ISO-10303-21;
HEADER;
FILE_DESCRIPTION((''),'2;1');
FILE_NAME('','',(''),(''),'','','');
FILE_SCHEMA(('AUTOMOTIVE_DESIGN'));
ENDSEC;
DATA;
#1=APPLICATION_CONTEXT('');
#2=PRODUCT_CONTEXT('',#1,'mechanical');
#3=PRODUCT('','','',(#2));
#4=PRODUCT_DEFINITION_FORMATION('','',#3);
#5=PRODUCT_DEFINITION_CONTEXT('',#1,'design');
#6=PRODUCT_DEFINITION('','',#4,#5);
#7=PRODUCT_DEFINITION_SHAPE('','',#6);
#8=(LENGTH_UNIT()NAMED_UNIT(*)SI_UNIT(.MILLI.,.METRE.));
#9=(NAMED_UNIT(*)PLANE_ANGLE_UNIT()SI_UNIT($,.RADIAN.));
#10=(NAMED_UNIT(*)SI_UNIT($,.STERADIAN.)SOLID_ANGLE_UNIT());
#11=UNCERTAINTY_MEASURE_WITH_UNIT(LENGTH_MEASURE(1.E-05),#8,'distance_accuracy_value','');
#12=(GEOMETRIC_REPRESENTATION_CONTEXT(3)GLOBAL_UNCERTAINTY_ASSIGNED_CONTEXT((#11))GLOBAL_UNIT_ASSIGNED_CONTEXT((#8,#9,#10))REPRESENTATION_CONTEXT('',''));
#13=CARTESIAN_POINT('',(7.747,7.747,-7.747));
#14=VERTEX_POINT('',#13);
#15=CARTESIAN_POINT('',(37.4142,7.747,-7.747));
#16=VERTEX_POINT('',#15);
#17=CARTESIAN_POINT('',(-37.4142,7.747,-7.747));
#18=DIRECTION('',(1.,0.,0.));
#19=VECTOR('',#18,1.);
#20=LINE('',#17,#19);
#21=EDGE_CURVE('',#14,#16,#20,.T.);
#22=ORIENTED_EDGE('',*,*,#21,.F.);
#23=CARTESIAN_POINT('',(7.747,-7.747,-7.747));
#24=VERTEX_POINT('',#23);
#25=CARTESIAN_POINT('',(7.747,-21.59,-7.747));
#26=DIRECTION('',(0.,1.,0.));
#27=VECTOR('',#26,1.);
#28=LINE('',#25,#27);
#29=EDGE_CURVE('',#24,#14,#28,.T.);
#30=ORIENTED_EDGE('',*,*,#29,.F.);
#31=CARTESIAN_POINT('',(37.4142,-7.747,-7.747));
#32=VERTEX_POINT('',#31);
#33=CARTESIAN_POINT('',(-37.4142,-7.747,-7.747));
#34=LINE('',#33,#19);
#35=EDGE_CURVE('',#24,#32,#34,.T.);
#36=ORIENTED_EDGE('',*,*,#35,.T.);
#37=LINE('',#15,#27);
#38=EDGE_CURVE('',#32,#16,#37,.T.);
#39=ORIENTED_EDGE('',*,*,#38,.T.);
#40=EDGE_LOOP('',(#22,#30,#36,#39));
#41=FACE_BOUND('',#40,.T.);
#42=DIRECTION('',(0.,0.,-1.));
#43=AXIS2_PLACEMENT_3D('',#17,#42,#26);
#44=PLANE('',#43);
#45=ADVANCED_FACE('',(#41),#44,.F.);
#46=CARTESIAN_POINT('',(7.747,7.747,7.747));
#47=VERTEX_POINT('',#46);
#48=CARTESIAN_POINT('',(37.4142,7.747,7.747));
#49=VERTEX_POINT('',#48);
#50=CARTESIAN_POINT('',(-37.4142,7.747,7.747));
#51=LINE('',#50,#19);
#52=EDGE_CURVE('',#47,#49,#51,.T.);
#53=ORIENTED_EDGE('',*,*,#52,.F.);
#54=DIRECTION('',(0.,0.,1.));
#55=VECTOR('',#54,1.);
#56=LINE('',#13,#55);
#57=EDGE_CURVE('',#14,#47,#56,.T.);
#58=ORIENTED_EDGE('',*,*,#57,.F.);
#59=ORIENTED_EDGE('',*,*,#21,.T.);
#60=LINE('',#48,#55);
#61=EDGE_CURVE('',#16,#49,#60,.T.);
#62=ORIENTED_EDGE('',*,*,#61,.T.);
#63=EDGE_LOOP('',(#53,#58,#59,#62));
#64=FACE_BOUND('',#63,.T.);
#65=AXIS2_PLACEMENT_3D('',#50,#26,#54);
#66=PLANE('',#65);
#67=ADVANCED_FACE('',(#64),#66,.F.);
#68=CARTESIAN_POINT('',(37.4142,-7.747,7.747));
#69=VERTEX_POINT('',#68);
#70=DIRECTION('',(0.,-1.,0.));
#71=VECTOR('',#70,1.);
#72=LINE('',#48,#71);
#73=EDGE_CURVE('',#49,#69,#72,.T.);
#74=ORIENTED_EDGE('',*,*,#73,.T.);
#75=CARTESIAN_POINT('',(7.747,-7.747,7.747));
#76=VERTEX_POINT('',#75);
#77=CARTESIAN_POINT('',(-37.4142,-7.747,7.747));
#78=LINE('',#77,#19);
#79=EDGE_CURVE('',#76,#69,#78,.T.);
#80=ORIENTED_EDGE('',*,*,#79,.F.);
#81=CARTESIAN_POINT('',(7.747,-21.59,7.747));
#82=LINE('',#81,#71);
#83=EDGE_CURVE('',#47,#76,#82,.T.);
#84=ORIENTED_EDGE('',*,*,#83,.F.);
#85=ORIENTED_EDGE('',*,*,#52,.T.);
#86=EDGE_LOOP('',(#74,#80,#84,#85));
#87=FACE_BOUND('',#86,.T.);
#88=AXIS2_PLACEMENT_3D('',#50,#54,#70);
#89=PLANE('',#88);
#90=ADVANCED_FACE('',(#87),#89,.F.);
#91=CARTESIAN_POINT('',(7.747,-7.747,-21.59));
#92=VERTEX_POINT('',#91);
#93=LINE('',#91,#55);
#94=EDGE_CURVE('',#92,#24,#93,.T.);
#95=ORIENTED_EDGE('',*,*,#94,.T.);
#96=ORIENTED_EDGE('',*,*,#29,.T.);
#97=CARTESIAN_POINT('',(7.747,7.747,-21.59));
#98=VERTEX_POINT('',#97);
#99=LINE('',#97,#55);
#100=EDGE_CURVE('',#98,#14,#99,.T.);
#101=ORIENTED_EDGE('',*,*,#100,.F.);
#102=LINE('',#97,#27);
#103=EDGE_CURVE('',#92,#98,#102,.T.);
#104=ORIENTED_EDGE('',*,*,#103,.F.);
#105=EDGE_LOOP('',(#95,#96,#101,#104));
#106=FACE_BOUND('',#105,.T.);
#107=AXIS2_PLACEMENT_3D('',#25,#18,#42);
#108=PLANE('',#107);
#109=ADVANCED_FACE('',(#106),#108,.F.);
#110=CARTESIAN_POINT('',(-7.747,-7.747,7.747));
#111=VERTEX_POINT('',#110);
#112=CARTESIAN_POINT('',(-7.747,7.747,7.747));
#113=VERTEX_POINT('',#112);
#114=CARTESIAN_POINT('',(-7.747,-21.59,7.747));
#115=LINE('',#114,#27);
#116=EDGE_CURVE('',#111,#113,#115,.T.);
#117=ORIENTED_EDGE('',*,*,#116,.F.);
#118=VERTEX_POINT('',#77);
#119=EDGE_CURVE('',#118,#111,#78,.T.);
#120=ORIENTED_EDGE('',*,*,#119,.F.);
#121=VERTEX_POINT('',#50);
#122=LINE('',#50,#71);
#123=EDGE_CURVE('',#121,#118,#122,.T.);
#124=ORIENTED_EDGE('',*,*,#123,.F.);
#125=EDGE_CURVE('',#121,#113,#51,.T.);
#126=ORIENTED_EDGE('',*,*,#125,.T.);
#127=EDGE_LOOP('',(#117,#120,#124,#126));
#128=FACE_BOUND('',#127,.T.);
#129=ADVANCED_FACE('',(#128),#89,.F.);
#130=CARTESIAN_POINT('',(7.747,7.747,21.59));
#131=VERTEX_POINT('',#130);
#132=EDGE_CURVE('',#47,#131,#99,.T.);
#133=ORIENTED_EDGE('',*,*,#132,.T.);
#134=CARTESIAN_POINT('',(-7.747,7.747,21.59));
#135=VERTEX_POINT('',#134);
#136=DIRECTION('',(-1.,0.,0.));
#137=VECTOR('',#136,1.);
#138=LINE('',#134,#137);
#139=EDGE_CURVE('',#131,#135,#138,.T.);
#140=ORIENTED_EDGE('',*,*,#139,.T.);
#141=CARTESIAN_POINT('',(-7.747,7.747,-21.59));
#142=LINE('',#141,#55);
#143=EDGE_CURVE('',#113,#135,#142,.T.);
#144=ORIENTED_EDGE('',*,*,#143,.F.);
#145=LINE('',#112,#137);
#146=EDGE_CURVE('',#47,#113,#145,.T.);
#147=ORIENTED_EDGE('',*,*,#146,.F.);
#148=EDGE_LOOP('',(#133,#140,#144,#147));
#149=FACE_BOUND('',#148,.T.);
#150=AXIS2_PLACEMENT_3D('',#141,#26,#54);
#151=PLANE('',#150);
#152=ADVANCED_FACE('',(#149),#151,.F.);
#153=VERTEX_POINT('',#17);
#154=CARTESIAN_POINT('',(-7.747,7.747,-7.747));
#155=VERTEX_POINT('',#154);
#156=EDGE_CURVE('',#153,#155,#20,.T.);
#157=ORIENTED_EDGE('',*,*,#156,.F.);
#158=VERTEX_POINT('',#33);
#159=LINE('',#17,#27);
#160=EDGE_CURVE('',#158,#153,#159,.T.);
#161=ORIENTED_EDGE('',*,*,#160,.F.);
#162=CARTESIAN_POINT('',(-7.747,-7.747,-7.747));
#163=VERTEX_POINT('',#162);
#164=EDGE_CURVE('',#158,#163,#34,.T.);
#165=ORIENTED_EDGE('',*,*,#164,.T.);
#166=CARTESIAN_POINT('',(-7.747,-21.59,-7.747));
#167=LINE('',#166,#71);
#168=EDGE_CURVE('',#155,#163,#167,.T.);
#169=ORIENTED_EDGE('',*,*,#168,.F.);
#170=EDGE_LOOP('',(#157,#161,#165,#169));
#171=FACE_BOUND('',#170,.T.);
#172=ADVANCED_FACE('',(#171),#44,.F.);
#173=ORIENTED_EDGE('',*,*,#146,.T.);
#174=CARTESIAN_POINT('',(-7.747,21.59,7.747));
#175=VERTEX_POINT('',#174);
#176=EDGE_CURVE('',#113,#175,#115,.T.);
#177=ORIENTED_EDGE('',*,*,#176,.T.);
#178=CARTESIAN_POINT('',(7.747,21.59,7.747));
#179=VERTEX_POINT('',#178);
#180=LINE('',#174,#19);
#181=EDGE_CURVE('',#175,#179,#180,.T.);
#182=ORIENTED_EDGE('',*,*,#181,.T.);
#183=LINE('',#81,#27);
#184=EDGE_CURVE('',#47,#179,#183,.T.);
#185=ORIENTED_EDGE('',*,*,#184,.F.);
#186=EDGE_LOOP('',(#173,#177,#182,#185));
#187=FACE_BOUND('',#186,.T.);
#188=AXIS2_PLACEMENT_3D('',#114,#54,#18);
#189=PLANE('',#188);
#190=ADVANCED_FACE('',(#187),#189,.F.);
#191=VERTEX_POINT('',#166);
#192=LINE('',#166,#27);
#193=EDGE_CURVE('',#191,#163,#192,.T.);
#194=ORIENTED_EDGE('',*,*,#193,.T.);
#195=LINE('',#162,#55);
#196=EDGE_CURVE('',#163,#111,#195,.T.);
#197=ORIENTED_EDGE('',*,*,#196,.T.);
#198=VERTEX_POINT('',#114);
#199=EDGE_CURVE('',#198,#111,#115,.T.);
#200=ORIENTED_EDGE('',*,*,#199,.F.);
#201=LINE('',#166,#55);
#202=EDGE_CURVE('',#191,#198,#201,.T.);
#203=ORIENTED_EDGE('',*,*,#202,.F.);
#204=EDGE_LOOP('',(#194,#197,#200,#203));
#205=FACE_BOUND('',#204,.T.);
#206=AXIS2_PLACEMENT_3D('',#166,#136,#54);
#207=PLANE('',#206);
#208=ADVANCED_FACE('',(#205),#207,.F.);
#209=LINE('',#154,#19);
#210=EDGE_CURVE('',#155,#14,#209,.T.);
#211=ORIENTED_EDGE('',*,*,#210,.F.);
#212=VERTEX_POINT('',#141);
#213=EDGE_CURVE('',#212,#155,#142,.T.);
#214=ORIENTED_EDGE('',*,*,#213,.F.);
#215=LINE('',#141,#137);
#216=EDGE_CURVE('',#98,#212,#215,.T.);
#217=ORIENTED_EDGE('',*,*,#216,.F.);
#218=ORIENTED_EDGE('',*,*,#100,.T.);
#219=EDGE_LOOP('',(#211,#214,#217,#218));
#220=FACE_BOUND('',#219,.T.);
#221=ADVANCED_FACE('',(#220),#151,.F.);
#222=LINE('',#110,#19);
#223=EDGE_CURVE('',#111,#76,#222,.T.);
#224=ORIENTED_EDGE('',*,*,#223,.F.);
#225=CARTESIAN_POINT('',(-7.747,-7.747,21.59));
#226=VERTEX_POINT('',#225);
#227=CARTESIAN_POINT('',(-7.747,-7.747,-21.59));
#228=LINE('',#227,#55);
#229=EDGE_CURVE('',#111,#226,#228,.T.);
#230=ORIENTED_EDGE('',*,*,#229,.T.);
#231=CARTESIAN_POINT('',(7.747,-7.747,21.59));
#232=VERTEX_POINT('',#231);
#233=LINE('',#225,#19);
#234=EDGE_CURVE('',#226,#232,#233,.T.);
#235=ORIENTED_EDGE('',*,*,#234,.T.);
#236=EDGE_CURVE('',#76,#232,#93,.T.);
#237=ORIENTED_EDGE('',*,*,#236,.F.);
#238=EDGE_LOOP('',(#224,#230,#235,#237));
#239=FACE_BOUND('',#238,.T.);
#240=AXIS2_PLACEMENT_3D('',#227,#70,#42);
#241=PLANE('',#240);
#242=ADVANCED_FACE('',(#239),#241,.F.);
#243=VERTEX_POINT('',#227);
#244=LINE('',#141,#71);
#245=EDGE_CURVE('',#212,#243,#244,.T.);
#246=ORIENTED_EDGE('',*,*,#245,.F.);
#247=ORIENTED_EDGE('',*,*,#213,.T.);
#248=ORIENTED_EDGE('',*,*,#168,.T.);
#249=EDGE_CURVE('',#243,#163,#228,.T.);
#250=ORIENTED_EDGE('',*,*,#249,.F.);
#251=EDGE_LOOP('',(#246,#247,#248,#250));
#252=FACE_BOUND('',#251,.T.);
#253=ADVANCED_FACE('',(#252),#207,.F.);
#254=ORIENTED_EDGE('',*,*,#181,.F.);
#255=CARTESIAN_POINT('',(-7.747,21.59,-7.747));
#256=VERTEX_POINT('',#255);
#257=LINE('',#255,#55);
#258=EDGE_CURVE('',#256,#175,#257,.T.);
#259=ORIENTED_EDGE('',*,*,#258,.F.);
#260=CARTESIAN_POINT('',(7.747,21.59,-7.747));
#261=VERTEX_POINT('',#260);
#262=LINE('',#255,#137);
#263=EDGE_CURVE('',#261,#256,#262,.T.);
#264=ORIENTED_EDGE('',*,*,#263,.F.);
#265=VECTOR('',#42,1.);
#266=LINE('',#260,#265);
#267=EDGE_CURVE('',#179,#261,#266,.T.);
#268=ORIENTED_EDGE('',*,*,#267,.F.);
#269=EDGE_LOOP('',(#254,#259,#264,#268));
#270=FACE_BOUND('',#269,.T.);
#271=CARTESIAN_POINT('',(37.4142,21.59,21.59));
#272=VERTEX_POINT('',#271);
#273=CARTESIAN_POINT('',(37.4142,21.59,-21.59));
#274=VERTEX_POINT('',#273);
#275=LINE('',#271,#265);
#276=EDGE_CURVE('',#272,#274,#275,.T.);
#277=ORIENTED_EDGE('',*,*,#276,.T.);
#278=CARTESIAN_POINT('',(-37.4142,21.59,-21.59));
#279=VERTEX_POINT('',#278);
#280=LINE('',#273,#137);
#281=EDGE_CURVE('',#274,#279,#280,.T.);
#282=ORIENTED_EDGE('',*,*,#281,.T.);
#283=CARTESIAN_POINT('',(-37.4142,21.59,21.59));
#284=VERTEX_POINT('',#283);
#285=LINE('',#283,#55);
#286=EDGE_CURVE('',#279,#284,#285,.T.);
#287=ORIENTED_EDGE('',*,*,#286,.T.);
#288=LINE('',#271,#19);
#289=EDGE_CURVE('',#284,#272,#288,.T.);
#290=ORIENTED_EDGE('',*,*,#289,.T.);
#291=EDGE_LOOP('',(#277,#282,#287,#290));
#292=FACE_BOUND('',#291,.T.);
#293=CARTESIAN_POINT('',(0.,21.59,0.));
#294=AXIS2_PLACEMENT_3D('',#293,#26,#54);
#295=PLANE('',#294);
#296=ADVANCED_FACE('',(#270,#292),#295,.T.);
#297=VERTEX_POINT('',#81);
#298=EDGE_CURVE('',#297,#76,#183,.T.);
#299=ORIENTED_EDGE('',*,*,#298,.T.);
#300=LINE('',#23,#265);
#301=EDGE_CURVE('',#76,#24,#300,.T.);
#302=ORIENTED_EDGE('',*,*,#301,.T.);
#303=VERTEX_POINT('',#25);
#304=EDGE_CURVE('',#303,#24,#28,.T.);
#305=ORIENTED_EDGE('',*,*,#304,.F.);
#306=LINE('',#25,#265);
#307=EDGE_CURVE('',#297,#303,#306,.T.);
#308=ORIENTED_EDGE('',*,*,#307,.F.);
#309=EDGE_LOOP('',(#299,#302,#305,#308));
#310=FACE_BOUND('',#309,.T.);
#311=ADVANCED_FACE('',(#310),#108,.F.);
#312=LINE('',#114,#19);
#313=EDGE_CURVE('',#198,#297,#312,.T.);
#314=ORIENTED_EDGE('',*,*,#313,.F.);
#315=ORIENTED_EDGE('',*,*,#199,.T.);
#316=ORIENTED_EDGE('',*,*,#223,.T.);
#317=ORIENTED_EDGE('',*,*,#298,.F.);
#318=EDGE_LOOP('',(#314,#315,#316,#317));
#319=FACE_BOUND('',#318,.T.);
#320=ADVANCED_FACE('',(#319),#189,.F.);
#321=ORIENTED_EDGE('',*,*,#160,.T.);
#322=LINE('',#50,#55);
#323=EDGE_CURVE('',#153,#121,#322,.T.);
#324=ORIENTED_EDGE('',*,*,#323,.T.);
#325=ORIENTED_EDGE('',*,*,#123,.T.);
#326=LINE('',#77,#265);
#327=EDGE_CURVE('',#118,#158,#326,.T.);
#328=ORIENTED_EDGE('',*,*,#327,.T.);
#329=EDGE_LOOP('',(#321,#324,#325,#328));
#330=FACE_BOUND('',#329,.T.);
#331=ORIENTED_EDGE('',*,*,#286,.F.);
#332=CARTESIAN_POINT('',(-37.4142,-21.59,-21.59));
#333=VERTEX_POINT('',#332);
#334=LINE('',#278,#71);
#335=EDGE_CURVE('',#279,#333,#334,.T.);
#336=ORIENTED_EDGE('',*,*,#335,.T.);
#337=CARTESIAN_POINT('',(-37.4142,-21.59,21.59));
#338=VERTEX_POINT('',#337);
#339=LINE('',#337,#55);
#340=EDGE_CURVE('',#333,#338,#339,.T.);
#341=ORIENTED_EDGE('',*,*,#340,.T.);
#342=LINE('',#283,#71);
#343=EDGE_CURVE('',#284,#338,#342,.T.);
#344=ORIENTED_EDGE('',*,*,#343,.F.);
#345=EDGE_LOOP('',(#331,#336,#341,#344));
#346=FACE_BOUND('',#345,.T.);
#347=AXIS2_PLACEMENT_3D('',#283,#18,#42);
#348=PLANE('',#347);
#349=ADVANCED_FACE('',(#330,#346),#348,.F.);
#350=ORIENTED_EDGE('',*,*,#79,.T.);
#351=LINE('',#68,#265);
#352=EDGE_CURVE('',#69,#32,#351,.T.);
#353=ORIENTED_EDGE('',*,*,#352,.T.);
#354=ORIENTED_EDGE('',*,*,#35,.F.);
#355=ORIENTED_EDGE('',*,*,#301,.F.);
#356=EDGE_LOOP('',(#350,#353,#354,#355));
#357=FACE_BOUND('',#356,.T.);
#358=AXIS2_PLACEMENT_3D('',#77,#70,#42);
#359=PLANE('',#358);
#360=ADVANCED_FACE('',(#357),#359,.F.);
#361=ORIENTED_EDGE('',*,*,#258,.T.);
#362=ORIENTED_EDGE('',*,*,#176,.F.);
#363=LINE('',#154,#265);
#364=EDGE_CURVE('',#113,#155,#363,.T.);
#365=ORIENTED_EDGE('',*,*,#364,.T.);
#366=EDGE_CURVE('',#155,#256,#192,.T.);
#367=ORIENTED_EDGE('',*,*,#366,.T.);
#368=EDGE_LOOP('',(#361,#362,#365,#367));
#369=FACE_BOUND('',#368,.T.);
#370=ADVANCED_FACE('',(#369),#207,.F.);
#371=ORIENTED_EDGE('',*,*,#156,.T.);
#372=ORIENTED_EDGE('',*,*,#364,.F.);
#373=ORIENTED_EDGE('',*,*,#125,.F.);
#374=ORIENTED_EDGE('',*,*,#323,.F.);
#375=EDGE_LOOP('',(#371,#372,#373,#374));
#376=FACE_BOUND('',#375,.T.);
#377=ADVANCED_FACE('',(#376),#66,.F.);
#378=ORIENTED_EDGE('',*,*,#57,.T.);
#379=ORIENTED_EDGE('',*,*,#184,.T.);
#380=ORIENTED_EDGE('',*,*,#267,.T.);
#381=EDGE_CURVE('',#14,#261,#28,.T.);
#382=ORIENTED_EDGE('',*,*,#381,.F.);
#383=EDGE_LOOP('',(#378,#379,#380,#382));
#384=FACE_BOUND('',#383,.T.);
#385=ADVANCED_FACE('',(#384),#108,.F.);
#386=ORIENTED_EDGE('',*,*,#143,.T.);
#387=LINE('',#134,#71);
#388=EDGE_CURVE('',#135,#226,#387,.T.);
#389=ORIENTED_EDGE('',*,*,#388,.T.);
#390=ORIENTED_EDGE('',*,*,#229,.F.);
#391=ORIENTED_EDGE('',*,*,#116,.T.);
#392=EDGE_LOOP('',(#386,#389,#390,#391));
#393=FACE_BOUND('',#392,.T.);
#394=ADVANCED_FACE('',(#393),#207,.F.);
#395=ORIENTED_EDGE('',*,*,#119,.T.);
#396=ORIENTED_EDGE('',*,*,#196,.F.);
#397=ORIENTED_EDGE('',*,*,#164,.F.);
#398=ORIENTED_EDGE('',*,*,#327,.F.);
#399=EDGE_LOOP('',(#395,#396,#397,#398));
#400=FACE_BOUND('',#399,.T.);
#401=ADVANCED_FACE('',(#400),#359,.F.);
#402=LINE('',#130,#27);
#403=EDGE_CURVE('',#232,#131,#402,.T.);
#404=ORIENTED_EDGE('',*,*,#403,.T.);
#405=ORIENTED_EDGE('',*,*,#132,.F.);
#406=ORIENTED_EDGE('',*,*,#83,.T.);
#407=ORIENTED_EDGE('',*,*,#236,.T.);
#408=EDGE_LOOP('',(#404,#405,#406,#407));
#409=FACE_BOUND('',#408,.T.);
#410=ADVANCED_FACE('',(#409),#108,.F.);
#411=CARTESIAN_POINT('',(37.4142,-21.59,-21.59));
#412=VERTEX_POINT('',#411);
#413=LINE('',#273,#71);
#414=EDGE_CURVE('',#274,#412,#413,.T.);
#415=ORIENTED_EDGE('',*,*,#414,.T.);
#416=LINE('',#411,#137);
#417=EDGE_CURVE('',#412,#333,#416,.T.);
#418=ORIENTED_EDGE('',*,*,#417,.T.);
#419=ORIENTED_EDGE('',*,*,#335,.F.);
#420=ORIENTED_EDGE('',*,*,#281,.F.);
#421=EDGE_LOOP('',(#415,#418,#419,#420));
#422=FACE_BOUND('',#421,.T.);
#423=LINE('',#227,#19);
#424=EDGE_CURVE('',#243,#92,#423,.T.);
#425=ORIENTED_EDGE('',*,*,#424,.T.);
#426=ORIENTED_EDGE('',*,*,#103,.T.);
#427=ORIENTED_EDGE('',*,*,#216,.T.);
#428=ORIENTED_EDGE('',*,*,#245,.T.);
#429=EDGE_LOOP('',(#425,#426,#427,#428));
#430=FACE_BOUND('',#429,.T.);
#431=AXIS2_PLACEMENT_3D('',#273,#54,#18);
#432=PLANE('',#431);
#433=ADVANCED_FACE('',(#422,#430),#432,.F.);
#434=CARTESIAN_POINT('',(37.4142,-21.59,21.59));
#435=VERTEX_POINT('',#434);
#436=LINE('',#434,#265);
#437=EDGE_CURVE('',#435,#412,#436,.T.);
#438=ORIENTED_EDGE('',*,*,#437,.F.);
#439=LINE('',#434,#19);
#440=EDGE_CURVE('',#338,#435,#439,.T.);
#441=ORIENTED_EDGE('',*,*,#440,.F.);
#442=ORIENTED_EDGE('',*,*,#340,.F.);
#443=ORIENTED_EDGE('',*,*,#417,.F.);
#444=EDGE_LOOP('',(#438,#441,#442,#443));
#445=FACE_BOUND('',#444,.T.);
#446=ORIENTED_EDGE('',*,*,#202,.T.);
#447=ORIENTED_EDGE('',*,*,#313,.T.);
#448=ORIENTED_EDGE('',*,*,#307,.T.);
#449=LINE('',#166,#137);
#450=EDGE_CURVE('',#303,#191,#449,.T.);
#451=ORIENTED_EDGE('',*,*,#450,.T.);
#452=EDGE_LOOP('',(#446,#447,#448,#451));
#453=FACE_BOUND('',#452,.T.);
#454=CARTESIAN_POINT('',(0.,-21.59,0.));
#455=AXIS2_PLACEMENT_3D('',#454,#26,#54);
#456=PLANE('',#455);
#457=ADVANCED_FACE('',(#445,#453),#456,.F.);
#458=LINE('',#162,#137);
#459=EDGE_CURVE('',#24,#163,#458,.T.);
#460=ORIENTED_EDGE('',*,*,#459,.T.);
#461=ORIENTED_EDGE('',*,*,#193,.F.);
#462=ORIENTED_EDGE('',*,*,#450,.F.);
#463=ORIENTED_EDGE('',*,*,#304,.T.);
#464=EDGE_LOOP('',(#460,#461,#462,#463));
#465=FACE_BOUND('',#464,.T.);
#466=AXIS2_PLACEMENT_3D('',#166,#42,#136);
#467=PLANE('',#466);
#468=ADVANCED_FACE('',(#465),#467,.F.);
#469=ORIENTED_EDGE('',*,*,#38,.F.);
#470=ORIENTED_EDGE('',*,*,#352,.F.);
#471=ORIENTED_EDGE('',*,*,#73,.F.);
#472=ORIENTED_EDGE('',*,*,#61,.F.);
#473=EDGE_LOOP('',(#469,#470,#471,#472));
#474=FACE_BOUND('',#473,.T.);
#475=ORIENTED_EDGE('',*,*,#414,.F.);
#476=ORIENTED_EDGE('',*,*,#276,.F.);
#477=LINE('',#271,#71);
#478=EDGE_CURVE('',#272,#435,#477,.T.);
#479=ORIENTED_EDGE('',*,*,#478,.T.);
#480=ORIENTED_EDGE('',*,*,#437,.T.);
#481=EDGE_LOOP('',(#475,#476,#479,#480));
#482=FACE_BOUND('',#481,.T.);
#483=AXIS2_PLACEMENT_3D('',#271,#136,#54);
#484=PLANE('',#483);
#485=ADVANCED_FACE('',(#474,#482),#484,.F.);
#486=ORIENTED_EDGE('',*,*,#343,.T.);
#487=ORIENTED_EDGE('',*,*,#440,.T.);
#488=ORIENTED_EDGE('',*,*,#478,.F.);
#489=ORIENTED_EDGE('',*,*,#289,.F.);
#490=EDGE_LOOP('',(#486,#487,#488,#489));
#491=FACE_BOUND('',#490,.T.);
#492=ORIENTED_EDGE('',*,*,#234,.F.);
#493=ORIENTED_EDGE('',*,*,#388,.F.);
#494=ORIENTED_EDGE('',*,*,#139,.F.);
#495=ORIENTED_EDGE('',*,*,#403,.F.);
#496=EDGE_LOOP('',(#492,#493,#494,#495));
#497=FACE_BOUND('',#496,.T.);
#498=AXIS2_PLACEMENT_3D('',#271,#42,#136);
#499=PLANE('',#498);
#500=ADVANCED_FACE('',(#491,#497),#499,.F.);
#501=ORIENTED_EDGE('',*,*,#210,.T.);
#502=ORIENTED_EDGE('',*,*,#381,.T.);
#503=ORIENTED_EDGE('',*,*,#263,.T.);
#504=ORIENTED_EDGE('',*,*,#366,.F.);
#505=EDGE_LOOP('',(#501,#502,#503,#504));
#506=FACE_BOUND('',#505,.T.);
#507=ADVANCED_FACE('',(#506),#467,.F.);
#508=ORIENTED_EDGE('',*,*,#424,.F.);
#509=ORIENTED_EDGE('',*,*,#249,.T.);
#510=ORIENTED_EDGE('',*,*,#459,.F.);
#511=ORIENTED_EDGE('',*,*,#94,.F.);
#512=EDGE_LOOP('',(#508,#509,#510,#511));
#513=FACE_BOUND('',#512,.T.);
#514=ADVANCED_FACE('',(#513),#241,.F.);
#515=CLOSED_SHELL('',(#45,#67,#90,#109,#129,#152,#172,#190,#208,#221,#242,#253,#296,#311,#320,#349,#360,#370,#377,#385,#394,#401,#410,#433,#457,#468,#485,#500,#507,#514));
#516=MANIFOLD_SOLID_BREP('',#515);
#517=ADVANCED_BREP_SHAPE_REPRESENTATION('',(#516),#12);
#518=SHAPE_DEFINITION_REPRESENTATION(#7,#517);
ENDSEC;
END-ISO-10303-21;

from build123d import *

# Parameters (mm, degrees)
SKETCH1_W           = 74.8284
SKETCH1_H           = 43.18
BOSS_EXTRUDE1_DEPTH = 21.59
SKETCH12_W          = 15.494
SKETCH12_H          = 15.494
CUT_EXTRUDE1_DEPTH  = 62.077515189
SKETCH15_W          = 15.494
SKETCH15_H          = 15.494
CUT_EXTRUDE2_DEPTH  = 62.077515189
SKETCH16_W          = 15.494
SKETCH16_H          = 15.494
CUT_EXTRUDE3_DEPTH  = 81.817978486


with BuildPart() as part:
    # Sketch1 → Boss-Extrude1 (new, symmetric)
    with BuildSketch(Plane(origin=(0, 0, 0), x_dir=(1, 0, 0), z_dir=(0, 1, 0))):
        Rectangle(SKETCH1_W, SKETCH1_H)
    extrude(amount=BOSS_EXTRUDE1_DEPTH, both=True)

    # Sketch12 → Cut-Extrude1 (cut, through all)
    with BuildSketch(Plane(origin=(0, 21.59, 0), x_dir=(1, 0, 0), z_dir=(0, 1, 0))):
        Rectangle(SKETCH12_W, SKETCH12_H)
    extrude(amount=-CUT_EXTRUDE1_DEPTH, mode=Mode.SUBTRACT)

    # Sketch15 → Cut-Extrude2 (cut, through all)
    with BuildSketch(Plane.XY.offset(21.59)):
        Rectangle(SKETCH15_W, SKETCH15_H)
    extrude(amount=-CUT_EXTRUDE2_DEPTH, mode=Mode.SUBTRACT)

    # Sketch16 → Cut-Extrude3 (cut, through all)
    with BuildSketch(Plane(origin=(37.4142, 0, 0), x_dir=(0, 0, -1), z_dir=(1, 0, 0))):
        Rectangle(SKETCH16_W, SKETCH16_H)
    extrude(amount=-CUT_EXTRUDE3_DEPTH, mode=Mode.SUBTRACT)


solid = part.part
